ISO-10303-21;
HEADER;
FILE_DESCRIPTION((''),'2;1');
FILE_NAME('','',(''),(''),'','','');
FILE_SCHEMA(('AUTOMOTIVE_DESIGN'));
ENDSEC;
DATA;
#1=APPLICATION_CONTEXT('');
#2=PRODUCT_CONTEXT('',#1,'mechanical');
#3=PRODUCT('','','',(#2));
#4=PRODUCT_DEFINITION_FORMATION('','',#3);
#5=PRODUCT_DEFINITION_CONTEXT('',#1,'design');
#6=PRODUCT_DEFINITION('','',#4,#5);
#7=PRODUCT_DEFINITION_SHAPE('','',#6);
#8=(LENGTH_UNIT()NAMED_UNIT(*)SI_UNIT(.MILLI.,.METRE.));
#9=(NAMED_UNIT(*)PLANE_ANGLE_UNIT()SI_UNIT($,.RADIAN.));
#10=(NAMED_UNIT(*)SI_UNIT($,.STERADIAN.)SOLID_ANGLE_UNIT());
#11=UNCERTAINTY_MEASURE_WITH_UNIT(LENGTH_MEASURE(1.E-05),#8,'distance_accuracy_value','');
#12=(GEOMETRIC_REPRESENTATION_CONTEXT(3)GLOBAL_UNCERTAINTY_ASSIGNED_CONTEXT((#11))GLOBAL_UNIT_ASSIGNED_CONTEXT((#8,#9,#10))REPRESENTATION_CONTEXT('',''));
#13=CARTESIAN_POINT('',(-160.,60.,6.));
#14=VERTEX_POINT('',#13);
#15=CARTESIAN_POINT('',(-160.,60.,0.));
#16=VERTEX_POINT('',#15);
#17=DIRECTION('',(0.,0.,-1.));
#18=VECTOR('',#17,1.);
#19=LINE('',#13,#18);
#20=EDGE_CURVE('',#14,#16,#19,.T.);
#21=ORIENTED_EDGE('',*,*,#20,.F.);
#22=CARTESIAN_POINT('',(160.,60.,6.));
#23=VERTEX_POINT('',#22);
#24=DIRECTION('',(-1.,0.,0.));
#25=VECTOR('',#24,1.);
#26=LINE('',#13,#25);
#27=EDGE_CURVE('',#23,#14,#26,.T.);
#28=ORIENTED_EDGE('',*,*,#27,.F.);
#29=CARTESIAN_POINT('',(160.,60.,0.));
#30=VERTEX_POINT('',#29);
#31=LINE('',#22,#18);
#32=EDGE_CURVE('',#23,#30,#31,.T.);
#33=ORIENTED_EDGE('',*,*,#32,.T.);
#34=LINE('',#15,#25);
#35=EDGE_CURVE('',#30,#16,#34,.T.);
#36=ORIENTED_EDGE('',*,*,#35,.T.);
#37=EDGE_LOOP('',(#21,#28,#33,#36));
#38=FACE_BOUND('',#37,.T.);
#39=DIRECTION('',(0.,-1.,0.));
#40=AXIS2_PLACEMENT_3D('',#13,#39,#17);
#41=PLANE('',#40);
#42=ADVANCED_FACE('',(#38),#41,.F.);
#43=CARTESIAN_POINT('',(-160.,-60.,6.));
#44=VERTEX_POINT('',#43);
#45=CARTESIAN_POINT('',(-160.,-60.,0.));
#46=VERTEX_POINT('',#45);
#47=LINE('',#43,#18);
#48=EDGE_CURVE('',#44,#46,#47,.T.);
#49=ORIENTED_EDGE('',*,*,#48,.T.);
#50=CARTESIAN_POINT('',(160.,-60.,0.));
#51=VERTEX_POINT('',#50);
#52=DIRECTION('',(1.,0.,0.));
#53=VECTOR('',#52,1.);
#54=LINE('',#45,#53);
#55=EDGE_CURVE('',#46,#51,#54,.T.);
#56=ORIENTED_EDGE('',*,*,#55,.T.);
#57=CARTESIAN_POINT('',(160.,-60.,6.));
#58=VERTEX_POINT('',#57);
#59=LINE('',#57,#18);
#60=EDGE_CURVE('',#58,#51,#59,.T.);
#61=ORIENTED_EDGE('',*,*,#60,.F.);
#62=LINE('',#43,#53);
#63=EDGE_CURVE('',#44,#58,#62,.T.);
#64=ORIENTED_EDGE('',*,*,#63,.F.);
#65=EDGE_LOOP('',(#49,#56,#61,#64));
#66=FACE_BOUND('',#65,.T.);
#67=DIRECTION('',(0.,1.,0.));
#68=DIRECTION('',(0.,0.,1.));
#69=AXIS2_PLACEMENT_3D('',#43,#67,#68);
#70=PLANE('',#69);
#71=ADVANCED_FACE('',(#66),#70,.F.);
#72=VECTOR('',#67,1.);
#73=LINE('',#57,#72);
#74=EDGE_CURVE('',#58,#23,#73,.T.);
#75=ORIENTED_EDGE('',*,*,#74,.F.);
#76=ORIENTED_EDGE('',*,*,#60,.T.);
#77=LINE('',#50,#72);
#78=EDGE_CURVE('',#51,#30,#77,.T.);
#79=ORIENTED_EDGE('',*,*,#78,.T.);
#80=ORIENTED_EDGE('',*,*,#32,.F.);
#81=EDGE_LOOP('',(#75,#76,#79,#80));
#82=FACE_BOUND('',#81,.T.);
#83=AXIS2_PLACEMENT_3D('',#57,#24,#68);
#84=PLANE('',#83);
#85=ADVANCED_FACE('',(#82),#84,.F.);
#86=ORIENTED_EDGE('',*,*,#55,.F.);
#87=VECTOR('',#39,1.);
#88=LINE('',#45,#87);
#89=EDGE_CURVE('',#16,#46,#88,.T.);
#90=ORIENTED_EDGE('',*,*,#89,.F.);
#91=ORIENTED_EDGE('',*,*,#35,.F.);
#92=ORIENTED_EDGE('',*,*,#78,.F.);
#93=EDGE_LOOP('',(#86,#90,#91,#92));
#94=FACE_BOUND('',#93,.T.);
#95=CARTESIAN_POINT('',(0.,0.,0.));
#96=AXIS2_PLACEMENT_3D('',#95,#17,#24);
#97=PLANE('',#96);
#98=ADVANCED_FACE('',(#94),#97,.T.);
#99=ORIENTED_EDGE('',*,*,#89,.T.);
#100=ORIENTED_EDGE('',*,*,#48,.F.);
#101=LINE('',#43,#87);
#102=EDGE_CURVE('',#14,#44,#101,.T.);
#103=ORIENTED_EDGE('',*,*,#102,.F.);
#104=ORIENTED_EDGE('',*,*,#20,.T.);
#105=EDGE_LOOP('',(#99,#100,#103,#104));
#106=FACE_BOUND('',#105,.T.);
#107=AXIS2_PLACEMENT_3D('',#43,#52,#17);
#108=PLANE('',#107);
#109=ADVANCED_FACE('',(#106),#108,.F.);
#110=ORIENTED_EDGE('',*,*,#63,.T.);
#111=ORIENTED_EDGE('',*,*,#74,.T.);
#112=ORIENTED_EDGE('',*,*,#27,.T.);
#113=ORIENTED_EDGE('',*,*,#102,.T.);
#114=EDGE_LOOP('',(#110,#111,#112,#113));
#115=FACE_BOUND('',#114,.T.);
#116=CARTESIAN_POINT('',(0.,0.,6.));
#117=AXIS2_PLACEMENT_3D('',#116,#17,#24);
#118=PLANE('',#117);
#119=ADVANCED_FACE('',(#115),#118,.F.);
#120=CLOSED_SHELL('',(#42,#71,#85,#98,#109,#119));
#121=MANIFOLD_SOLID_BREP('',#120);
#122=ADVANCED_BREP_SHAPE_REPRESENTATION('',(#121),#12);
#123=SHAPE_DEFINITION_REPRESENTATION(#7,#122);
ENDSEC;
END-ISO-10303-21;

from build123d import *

# Parameters (mm, degrees)
ESQUISSE1_W        = 320
ESQUISSE1_H        = 120
BOSS_EXTRU_1_DEPTH = 6


with BuildPart() as part:
    # Esquisse1 → Boss.-Extru.1 (new body)
    with BuildSketch(Plane.XY):
        Rectangle(ESQUISSE1_W, ESQUISSE1_H)
    extrude(amount=BOSS_EXTRU_1_DEPTH)


solid = part.part
